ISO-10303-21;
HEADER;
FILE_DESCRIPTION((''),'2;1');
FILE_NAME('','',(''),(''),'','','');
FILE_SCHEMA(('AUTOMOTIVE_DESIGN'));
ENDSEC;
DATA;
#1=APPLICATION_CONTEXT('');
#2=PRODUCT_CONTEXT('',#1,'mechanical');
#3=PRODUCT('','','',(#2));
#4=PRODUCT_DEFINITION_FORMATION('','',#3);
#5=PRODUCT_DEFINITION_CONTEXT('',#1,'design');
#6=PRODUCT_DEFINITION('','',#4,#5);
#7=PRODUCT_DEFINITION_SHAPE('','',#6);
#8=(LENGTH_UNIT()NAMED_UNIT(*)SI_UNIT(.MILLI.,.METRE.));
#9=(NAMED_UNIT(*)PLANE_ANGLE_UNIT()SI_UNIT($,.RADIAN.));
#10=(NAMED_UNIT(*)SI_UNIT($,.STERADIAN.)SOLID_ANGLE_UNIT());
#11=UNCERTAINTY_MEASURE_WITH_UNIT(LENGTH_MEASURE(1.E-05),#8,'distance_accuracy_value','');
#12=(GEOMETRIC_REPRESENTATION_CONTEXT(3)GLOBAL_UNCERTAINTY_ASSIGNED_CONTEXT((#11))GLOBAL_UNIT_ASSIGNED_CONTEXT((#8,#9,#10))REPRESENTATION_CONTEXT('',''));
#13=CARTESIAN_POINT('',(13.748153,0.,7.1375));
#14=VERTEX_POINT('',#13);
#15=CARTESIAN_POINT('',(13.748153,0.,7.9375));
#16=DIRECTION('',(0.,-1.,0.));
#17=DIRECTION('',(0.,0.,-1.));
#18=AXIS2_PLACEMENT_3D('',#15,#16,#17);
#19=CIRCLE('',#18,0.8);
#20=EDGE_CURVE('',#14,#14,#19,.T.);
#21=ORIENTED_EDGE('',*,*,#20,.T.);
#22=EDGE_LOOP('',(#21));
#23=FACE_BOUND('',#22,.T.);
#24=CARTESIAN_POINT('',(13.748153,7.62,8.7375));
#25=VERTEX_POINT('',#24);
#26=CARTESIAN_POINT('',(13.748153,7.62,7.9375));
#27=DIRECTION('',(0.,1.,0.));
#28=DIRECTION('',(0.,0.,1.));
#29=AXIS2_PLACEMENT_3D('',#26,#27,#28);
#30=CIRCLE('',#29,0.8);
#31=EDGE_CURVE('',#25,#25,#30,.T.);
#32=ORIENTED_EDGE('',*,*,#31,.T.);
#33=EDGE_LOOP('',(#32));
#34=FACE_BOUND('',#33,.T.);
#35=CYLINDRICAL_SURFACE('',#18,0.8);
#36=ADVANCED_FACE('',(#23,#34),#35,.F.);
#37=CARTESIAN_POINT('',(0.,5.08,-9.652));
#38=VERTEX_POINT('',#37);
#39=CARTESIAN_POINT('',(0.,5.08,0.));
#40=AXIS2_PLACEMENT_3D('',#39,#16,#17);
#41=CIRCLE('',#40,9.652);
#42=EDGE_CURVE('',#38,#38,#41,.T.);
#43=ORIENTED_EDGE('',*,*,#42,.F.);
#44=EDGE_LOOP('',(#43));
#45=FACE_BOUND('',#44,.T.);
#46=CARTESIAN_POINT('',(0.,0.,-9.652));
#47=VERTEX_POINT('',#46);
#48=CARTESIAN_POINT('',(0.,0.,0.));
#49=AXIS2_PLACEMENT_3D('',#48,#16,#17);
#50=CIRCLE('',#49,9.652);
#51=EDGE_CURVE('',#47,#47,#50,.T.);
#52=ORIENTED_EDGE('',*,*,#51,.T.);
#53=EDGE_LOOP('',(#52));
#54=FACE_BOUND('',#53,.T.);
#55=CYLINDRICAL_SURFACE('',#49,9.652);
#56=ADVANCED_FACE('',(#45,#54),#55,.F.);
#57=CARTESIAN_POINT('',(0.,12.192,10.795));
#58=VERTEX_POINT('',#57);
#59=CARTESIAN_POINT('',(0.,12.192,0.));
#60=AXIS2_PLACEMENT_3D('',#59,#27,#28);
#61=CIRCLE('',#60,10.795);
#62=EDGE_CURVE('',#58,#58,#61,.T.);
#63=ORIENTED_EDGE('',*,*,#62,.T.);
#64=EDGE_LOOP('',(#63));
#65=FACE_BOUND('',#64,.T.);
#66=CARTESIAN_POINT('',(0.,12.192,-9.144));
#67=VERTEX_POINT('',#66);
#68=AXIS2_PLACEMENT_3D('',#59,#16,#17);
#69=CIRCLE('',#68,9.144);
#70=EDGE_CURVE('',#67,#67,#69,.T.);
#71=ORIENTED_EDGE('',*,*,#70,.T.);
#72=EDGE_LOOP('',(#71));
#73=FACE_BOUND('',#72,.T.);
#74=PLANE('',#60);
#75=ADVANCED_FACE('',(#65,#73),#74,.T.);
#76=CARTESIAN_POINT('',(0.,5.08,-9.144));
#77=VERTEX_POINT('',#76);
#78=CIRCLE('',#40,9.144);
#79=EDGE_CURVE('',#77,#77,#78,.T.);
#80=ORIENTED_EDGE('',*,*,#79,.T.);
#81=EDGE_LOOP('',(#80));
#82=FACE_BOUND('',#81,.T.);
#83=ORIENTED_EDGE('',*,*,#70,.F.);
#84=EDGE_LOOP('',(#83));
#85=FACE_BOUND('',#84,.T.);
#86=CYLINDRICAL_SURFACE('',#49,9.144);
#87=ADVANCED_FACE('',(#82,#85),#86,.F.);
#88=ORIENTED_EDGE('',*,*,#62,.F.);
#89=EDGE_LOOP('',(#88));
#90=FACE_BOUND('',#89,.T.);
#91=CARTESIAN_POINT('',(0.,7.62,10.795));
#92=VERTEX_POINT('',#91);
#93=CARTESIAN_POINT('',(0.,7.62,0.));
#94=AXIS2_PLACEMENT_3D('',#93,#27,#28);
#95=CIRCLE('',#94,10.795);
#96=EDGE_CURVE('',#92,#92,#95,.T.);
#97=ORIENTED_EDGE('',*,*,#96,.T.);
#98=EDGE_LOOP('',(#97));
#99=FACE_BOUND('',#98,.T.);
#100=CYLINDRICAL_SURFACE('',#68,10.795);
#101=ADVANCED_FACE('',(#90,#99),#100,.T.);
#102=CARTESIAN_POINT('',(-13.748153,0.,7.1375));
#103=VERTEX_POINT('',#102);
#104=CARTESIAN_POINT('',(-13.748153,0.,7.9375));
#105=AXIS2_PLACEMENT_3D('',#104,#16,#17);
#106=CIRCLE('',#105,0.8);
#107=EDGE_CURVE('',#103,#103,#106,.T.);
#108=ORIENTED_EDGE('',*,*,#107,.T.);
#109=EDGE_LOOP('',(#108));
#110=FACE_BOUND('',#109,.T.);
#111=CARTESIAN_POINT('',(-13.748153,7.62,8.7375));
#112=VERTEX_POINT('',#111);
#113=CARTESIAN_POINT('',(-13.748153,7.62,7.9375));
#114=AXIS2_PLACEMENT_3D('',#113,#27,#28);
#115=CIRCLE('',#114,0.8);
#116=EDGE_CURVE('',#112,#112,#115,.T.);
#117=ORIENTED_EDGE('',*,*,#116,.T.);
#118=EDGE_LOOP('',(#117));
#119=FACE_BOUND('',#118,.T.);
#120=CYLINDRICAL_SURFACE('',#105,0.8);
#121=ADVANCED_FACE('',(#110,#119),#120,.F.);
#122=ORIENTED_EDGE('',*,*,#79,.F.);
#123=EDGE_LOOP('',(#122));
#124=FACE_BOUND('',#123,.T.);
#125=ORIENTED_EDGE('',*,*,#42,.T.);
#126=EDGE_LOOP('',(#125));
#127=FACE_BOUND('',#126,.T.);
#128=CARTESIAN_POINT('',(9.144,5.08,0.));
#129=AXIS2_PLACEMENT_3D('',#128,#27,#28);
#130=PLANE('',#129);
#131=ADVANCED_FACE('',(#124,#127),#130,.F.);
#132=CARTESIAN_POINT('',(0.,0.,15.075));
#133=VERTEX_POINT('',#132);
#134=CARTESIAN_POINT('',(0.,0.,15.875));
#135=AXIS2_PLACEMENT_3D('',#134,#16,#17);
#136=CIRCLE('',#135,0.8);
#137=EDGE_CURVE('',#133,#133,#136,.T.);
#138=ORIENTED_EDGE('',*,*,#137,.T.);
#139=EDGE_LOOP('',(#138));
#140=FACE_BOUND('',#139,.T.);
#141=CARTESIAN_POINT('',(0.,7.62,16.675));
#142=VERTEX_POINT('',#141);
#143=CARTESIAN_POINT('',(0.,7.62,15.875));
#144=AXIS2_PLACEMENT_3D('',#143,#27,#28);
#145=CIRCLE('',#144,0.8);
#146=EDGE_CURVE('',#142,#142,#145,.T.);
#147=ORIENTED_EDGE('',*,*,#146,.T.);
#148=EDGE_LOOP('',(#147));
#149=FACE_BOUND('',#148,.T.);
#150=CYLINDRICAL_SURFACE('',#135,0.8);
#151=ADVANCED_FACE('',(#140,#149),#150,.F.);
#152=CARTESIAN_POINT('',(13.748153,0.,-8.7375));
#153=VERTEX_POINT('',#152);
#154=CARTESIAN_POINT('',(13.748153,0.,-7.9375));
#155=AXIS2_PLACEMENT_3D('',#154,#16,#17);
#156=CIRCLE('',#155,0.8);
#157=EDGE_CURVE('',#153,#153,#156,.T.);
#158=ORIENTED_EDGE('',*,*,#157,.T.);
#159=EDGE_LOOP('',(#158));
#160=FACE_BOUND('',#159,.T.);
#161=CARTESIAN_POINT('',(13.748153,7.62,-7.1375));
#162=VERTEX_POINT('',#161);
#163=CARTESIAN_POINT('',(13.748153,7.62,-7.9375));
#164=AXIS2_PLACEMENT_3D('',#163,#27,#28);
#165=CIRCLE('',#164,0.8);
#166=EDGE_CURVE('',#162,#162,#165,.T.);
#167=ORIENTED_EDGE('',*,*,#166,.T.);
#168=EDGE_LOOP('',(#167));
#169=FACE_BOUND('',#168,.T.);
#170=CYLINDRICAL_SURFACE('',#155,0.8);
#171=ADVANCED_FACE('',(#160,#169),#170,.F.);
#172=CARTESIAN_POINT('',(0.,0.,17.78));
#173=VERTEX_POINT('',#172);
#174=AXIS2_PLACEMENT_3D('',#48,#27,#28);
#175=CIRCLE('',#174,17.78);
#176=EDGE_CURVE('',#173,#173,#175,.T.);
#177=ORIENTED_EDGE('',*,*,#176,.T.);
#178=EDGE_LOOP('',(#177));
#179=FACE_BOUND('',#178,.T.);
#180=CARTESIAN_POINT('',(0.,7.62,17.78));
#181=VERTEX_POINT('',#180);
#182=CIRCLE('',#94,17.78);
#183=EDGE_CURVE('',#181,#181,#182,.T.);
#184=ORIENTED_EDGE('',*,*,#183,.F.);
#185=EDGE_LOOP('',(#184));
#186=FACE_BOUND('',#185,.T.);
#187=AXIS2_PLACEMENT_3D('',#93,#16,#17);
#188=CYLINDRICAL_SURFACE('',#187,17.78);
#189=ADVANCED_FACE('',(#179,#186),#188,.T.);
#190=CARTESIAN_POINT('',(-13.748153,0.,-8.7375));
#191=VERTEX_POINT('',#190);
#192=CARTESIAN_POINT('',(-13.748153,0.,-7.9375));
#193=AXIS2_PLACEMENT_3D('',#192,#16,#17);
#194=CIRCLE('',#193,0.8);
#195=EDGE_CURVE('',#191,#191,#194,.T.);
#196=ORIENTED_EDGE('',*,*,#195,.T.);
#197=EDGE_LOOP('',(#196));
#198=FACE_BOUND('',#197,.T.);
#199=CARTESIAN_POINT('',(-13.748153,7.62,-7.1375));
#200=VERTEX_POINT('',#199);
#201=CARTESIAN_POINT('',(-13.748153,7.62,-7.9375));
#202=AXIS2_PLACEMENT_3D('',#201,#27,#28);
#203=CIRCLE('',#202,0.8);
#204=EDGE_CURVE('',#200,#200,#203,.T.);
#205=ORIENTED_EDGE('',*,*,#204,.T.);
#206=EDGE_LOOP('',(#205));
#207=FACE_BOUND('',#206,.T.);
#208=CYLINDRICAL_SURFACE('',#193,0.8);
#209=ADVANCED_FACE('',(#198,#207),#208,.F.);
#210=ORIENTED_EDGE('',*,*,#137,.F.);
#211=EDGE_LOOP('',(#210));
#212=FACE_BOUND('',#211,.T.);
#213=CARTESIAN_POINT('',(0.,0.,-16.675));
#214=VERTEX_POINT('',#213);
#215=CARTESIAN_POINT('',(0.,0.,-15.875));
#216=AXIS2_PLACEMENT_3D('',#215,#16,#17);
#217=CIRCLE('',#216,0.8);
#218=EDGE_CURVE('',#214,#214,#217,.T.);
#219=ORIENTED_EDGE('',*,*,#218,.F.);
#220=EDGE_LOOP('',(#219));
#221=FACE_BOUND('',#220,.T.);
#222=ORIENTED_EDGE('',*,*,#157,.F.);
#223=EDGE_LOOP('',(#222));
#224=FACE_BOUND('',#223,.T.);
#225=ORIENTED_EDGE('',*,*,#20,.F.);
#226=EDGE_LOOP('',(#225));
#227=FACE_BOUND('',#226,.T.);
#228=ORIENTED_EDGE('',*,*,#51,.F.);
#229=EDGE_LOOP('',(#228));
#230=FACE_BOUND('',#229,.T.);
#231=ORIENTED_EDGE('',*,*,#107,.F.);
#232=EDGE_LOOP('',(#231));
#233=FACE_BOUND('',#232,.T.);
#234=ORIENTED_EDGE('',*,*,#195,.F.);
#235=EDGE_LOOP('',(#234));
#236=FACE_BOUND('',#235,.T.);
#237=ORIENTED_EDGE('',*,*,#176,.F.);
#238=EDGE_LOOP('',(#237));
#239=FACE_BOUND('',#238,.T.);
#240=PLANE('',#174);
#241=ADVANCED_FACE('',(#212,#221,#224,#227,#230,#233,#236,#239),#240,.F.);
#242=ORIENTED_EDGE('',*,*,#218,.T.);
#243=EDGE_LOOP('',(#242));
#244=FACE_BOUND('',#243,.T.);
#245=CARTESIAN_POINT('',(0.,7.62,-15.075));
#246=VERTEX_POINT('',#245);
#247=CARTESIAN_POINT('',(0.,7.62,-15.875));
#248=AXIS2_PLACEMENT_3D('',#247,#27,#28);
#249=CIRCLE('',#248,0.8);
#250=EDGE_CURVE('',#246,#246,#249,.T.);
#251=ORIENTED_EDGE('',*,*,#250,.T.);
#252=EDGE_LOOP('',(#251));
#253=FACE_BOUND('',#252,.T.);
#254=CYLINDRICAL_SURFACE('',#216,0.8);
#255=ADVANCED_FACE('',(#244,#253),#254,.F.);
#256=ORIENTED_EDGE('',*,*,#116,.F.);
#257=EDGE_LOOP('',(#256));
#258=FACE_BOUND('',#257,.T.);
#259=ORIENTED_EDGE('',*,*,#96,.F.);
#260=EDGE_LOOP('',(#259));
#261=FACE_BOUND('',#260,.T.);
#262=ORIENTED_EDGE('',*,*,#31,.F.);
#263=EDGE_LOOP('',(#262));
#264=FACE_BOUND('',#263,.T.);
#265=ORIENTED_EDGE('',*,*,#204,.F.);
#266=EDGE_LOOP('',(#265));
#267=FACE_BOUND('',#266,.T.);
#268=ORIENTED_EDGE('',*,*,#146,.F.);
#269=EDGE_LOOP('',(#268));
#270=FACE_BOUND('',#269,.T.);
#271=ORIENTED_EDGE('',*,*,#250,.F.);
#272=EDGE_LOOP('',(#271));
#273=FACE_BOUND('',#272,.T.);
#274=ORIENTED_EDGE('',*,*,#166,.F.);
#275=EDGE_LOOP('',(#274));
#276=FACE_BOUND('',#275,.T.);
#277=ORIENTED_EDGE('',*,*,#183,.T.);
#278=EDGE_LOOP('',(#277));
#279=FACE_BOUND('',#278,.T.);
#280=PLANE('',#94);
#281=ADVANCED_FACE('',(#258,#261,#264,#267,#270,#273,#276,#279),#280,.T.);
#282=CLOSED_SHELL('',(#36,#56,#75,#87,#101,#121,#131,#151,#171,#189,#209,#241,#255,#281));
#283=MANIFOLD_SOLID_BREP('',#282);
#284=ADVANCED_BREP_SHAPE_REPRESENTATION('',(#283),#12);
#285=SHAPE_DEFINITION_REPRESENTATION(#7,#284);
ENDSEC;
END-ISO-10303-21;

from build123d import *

# Parameters (mm, degrees)
SKETCH1_R                               = 17.78
BOSS_EXTRUDE1_DEPTH                     = 7.62
SKETCH2_R                               = 10.795
BOSS_EXTRUDE2_DEPTH                     = 4.572
M2X0_4_TAPPED_HOLE1_D                   = 1.6
CBORE_FOR_M5_HEX_HEAD_BOLT1_D           = 18.288
CBORE_FOR_M5_HEX_HEAD_BOLT1_CBORE_D     = 19.304
CBORE_FOR_M5_HEX_HEAD_BOLT1_CBORE_DEPTH = 5.08


with BuildPart() as part:
    # Sketch1 → Boss-Extrude1 (new body)
    with BuildSketch(Plane(origin=(0, 0, 0), x_dir=(1, 0, 0), z_dir=(0, 1, 0))):
        Circle(SKETCH1_R)
    extrude(amount=BOSS_EXTRUDE1_DEPTH)

    # Sketch2 → Boss-Extrude2 (add)
    with BuildSketch(Plane(origin=(0, 7.62, 0), x_dir=(1, 0, 0), z_dir=(0, 1, 0))):
        Circle(SKETCH2_R)
    extrude(amount=BOSS_EXTRUDE2_DEPTH)

    # M2x0.4 Tapped Hole1 (through all)
    with Locations(Plane(origin=(0, 0, 0), x_dir=(-1, 0, 0), z_dir=(0, -1, 0))):
        with Locations((0, 15.875), (13.748153285, 7.9375), (13.748153285, -7.9375), (0, -15.875), (-13.748153285, -7.9375), (-13.748153285, 7.9375)):
            Hole(M2X0_4_TAPPED_HOLE1_D / 2)

    # CBORE for M5 Hex Head Bolt1 (through all)
    with Locations(Plane(origin=(0, 0, 0), x_dir=(-1, 0, 0), z_dir=(0, -1, 0))):
        with Locations((0, 0)):
            CounterBoreHole(CBORE_FOR_M5_HEX_HEAD_BOLT1_D / 2, CBORE_FOR_M5_HEX_HEAD_BOLT1_CBORE_D / 2, CBORE_FOR_M5_HEX_HEAD_BOLT1_CBORE_DEPTH)


solid = part.part
